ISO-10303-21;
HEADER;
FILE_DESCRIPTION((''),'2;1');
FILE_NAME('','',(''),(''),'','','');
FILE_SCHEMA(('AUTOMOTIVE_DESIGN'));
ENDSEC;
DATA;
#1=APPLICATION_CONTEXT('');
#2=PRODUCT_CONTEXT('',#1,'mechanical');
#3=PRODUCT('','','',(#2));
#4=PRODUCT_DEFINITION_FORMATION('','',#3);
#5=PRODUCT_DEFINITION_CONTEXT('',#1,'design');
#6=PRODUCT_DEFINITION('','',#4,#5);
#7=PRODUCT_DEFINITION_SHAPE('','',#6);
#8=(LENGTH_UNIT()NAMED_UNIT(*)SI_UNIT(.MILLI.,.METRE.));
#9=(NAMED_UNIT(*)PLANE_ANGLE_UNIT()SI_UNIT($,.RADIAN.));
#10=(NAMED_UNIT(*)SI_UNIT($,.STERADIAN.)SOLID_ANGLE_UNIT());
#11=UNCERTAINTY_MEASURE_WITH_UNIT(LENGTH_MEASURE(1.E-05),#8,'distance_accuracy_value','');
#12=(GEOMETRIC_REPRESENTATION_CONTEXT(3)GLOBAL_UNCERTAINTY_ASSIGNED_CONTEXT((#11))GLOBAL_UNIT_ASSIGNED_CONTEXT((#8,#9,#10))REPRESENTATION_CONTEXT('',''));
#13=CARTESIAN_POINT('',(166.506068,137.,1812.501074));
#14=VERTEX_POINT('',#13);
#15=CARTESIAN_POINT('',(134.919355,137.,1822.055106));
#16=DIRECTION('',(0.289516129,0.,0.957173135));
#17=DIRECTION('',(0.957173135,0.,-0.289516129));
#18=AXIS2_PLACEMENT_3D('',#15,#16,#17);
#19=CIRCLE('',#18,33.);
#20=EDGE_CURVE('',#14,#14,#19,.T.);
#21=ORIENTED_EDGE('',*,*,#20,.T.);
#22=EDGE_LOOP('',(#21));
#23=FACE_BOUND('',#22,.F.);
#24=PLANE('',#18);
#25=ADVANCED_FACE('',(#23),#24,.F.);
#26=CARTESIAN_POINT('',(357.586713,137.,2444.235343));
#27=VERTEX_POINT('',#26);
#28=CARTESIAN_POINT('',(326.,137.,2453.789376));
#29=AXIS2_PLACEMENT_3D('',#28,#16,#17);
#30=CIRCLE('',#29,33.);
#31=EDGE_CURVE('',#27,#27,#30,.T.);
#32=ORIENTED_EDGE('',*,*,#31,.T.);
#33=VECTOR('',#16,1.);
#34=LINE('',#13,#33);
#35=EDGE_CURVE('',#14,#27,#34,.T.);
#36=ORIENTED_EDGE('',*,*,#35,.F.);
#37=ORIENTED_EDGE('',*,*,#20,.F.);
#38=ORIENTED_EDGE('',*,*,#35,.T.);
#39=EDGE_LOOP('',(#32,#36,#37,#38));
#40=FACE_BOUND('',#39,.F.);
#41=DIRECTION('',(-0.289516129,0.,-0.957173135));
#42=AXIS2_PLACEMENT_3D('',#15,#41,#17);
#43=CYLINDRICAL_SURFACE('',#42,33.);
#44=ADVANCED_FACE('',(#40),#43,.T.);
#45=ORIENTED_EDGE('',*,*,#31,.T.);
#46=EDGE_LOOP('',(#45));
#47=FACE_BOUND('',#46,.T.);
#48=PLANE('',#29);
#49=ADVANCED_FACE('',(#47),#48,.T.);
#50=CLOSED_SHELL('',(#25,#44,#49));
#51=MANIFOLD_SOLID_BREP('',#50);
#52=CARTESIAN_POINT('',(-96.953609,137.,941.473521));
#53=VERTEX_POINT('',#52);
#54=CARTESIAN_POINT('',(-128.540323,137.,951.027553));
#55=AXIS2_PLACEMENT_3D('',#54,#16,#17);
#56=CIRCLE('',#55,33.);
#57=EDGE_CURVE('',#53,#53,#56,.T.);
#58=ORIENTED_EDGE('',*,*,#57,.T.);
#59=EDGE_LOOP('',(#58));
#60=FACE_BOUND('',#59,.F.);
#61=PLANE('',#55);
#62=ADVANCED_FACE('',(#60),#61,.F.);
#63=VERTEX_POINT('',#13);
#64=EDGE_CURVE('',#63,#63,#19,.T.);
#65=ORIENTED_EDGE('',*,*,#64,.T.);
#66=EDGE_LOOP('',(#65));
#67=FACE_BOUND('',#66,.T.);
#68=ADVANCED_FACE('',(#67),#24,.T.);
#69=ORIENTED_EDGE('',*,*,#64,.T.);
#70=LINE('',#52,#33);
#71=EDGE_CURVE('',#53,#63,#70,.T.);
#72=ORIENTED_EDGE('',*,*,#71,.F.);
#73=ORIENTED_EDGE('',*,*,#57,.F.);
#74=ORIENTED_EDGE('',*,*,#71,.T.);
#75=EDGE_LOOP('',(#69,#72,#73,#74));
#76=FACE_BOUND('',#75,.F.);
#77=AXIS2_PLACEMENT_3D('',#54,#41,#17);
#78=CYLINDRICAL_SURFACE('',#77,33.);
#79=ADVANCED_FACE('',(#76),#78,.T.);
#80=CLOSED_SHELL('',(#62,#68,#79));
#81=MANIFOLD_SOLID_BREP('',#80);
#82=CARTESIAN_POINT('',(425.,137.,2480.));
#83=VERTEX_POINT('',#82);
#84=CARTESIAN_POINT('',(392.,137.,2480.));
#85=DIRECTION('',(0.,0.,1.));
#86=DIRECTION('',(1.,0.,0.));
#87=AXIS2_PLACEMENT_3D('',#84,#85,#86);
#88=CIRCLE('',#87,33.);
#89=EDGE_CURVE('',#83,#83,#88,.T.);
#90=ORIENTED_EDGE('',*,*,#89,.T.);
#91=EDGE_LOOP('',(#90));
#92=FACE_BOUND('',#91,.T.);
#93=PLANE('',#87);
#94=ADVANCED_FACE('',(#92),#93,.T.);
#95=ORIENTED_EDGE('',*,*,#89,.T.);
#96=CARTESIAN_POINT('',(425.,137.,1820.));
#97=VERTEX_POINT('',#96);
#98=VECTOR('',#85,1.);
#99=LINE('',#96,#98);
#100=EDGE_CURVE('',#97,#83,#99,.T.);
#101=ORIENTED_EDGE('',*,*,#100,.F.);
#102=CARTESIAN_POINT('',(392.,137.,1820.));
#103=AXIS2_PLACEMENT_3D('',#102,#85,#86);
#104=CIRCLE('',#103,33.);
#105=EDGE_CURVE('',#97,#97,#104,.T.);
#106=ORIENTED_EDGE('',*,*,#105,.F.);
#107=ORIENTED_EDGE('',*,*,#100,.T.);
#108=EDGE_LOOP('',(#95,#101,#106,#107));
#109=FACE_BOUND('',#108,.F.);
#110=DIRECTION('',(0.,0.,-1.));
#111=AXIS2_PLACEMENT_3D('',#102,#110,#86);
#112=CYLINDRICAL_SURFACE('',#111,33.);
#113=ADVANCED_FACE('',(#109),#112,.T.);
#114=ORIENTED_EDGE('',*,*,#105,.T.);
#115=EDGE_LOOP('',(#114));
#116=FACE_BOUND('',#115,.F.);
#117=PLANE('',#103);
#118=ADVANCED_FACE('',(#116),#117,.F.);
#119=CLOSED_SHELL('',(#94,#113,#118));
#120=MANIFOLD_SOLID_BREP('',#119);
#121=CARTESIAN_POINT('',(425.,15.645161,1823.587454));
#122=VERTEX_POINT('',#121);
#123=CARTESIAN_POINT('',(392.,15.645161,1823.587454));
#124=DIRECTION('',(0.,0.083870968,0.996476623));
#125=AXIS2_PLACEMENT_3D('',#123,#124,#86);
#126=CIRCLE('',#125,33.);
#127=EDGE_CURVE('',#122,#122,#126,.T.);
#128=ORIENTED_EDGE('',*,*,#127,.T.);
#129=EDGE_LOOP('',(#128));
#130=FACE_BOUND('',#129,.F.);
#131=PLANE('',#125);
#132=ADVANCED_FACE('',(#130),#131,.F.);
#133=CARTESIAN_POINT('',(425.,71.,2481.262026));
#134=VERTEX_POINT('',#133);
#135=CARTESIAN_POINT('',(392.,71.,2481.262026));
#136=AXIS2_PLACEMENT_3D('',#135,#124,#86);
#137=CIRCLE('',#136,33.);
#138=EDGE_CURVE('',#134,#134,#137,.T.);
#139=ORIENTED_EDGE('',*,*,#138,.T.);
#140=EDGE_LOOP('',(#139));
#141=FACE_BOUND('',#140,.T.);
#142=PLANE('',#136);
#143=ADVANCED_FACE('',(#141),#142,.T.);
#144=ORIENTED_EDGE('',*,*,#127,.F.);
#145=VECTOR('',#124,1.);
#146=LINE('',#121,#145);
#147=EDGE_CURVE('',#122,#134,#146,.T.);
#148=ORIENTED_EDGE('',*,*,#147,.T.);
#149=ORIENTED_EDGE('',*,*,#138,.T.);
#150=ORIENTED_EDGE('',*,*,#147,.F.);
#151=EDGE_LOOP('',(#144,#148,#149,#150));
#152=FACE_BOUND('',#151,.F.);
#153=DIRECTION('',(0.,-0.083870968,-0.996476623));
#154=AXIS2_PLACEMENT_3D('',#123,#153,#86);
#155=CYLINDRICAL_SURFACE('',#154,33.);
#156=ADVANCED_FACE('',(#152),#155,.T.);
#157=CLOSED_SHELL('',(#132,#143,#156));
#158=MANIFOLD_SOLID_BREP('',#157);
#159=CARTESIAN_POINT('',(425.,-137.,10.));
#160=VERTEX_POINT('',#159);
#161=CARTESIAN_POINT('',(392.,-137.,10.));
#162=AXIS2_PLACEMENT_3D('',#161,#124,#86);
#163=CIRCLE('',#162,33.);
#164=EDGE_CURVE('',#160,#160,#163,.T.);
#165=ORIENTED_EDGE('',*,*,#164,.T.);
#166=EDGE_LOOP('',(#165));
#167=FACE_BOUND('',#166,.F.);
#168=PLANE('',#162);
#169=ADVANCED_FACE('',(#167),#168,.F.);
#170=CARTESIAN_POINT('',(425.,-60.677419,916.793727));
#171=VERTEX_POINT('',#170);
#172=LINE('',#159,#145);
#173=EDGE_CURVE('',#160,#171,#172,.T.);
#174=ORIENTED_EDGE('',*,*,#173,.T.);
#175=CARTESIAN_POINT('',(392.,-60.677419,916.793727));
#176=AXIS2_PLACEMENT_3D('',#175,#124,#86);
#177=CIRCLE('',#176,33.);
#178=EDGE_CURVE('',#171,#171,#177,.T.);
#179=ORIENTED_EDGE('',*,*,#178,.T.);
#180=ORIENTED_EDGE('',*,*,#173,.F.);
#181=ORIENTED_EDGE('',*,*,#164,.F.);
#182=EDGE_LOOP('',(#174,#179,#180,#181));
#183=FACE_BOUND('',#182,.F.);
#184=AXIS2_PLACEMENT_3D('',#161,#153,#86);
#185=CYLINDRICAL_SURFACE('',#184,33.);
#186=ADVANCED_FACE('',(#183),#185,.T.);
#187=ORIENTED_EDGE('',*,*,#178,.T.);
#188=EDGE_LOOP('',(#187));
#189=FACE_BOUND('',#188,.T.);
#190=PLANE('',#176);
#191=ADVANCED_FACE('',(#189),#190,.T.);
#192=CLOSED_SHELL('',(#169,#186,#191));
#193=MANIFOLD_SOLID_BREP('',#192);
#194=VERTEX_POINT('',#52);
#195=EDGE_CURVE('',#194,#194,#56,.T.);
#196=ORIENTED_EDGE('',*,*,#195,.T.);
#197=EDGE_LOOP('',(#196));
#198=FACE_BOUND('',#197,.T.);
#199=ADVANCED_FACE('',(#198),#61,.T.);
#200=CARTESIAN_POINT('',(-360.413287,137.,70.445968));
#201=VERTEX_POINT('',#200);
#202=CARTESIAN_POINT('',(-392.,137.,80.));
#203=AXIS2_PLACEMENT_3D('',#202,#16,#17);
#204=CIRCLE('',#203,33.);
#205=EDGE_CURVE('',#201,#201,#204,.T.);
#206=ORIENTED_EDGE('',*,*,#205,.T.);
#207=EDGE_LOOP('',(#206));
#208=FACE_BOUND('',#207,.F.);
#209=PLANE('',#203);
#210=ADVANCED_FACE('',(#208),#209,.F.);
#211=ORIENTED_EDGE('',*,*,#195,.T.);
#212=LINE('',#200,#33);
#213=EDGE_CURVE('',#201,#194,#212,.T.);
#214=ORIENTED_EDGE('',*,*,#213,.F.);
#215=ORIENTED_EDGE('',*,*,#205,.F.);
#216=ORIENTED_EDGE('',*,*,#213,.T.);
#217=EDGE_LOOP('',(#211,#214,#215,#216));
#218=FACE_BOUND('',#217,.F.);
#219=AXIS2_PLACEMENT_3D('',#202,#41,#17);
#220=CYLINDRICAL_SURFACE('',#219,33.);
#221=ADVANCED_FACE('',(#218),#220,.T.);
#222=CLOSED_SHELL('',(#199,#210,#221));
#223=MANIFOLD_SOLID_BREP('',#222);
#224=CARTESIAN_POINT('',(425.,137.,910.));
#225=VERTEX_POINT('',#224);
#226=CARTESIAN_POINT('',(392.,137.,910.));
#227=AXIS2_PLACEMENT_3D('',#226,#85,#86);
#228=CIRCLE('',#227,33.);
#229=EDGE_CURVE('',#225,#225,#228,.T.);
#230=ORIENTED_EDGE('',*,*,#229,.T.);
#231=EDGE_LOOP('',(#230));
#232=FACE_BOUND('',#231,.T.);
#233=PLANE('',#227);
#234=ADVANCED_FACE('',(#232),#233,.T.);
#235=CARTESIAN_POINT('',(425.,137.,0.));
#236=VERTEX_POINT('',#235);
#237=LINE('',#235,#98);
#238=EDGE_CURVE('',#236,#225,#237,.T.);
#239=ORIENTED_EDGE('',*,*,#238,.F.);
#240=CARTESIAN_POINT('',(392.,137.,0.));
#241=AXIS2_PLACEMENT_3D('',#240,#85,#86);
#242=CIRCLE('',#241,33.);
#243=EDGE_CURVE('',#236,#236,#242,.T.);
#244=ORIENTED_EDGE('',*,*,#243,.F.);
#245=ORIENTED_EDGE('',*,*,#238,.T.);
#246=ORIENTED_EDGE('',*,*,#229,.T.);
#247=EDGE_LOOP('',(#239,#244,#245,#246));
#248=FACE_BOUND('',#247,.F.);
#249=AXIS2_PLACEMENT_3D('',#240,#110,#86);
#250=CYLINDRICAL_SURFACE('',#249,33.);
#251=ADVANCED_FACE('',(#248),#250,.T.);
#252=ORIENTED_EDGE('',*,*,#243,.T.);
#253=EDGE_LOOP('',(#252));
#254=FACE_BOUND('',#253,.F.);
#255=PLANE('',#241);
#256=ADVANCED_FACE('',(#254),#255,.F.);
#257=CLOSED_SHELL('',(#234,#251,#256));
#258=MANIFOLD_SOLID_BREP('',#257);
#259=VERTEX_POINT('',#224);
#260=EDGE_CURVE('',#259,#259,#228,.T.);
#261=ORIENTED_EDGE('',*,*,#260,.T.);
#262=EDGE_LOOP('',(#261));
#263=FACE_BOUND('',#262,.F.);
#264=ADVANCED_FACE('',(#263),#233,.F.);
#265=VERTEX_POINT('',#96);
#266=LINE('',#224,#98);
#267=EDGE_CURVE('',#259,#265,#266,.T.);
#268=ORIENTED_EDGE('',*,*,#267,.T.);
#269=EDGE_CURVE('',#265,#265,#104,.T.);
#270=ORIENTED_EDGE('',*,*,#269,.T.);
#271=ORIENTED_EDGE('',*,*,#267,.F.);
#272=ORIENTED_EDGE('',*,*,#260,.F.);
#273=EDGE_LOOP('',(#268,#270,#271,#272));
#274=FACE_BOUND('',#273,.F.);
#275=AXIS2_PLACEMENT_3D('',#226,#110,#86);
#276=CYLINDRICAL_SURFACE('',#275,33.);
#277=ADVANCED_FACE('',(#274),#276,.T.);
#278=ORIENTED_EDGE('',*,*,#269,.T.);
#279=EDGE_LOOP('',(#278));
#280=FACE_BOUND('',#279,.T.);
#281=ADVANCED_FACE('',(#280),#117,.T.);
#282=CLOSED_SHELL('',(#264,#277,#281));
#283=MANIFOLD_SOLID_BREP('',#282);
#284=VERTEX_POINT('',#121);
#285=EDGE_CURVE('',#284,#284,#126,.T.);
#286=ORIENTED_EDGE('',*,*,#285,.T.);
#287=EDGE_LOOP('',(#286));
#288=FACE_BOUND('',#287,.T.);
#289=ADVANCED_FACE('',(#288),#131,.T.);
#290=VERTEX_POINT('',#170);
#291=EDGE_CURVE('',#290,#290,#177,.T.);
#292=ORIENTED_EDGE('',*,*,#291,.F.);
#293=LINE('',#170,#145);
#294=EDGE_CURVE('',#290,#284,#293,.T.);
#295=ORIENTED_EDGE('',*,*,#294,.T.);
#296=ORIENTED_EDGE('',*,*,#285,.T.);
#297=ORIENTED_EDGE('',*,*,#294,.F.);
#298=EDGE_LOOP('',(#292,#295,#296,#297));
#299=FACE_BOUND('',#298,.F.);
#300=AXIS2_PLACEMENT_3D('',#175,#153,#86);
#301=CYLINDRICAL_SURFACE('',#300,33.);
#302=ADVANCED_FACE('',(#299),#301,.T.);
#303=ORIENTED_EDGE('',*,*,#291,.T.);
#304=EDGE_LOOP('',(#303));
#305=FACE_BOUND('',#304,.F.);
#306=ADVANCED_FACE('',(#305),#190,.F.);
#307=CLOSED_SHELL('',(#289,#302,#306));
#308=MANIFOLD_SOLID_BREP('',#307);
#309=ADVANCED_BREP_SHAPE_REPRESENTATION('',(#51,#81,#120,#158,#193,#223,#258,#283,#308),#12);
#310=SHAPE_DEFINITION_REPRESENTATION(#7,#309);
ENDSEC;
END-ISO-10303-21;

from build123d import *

# Parameters (mm, degrees)
F10_R     = 33
F11_DEPTH = 910
F12_R     = 33
F13_DEPTH = 910
F14_R     = 33
F15_DEPTH = 910
F19_DEPTH = 910
F20_DEPTH = 910
F21_DEPTH = 910
F22_DEPTH = 660
F23_DEPTH = 660
F24_DEPTH = 660


with BuildPart() as f11:
    # F10 (on line) → F11 (new body)
    with BuildSketch(Plane(origin=(-10.6879139994, 0, -35.3354550137), x_dir=(0.9571731353, 0, -0.289516129), z_dir=(0.289516129, 0, 0.9571731353))):
        with Locations((-398.3731593786, 137)):
            Circle(F10_R)
    extrude(amount=F11_DEPTH)


with BuildPart() as f13:
    # F12 (on line) → F13 (new body)
    with BuildSketch(Plane(origin=(0, -0.1279498872, -1.520181238), x_dir=(1, 0, 0), z_dir=(0, 0.0838709677, 0.9964766233))):
        with Locations((392, -137.3560070686)):
            Circle(F12_R)
    extrude(amount=F13_DEPTH)


with BuildPart() as f15:
    # F14 (on Top) → F15 (new body)
    with BuildSketch(Plane.XY):
        with Locations((392, 137)):
            Circle(F14_R)
    extrude(amount=F15_DEPTH)


with BuildPart() as f19:
    # F19 (new): a face of the model
    f19_faces = [f11.part.faces().sort_by_distance(p)[0] for p in [
        (-128.5403225806, 137, 951.0275531659),
    ]]
    extrude(f19_faces, amount=F19_DEPTH)


with BuildPart() as f20:
    # F20 (new): a face of the model
    f20_faces = [f13.part.faces().sort_by_distance(p)[0] for p in [
        (392, -60.6774193548, 916.7937271969),
    ]]
    extrude(f20_faces, amount=F20_DEPTH)


with BuildPart() as f21:
    # F21 (new): a face of the model
    f21_faces = [f15.part.faces().sort_by_distance(p)[0] for p in [
        (392, 137, 910),
    ]]
    extrude(f21_faces, amount=F21_DEPTH)


with BuildPart() as f22:
    # F22 (new): a face of the model
    f22_faces = [f19.part.faces().sort_by_distance(p)[0] for p in [
        (134.9193548387, 137, 1822.0551063317),
    ]]
    extrude(f22_faces, amount=F22_DEPTH)


with BuildPart() as f23:
    # F23 (new): a face of the model
    f23_faces = [f20.part.faces().sort_by_distance(p)[0] for p in [
        (392, 15.6451612903, 1823.5874543938),
    ]]
    extrude(f23_faces, amount=F23_DEPTH)


with BuildPart() as f24:
    # F24 (new): a face of the model
    f24_faces = [f21.part.faces().sort_by_distance(p)[0] for p in [
        (392, 137, 1820),
    ]]
    extrude(f24_faces, amount=F24_DEPTH)


solid = Compound([f11.part, f13.part, f15.part, f19.part, f20.part, f21.part, f22.part, f23.part, f24.part])
